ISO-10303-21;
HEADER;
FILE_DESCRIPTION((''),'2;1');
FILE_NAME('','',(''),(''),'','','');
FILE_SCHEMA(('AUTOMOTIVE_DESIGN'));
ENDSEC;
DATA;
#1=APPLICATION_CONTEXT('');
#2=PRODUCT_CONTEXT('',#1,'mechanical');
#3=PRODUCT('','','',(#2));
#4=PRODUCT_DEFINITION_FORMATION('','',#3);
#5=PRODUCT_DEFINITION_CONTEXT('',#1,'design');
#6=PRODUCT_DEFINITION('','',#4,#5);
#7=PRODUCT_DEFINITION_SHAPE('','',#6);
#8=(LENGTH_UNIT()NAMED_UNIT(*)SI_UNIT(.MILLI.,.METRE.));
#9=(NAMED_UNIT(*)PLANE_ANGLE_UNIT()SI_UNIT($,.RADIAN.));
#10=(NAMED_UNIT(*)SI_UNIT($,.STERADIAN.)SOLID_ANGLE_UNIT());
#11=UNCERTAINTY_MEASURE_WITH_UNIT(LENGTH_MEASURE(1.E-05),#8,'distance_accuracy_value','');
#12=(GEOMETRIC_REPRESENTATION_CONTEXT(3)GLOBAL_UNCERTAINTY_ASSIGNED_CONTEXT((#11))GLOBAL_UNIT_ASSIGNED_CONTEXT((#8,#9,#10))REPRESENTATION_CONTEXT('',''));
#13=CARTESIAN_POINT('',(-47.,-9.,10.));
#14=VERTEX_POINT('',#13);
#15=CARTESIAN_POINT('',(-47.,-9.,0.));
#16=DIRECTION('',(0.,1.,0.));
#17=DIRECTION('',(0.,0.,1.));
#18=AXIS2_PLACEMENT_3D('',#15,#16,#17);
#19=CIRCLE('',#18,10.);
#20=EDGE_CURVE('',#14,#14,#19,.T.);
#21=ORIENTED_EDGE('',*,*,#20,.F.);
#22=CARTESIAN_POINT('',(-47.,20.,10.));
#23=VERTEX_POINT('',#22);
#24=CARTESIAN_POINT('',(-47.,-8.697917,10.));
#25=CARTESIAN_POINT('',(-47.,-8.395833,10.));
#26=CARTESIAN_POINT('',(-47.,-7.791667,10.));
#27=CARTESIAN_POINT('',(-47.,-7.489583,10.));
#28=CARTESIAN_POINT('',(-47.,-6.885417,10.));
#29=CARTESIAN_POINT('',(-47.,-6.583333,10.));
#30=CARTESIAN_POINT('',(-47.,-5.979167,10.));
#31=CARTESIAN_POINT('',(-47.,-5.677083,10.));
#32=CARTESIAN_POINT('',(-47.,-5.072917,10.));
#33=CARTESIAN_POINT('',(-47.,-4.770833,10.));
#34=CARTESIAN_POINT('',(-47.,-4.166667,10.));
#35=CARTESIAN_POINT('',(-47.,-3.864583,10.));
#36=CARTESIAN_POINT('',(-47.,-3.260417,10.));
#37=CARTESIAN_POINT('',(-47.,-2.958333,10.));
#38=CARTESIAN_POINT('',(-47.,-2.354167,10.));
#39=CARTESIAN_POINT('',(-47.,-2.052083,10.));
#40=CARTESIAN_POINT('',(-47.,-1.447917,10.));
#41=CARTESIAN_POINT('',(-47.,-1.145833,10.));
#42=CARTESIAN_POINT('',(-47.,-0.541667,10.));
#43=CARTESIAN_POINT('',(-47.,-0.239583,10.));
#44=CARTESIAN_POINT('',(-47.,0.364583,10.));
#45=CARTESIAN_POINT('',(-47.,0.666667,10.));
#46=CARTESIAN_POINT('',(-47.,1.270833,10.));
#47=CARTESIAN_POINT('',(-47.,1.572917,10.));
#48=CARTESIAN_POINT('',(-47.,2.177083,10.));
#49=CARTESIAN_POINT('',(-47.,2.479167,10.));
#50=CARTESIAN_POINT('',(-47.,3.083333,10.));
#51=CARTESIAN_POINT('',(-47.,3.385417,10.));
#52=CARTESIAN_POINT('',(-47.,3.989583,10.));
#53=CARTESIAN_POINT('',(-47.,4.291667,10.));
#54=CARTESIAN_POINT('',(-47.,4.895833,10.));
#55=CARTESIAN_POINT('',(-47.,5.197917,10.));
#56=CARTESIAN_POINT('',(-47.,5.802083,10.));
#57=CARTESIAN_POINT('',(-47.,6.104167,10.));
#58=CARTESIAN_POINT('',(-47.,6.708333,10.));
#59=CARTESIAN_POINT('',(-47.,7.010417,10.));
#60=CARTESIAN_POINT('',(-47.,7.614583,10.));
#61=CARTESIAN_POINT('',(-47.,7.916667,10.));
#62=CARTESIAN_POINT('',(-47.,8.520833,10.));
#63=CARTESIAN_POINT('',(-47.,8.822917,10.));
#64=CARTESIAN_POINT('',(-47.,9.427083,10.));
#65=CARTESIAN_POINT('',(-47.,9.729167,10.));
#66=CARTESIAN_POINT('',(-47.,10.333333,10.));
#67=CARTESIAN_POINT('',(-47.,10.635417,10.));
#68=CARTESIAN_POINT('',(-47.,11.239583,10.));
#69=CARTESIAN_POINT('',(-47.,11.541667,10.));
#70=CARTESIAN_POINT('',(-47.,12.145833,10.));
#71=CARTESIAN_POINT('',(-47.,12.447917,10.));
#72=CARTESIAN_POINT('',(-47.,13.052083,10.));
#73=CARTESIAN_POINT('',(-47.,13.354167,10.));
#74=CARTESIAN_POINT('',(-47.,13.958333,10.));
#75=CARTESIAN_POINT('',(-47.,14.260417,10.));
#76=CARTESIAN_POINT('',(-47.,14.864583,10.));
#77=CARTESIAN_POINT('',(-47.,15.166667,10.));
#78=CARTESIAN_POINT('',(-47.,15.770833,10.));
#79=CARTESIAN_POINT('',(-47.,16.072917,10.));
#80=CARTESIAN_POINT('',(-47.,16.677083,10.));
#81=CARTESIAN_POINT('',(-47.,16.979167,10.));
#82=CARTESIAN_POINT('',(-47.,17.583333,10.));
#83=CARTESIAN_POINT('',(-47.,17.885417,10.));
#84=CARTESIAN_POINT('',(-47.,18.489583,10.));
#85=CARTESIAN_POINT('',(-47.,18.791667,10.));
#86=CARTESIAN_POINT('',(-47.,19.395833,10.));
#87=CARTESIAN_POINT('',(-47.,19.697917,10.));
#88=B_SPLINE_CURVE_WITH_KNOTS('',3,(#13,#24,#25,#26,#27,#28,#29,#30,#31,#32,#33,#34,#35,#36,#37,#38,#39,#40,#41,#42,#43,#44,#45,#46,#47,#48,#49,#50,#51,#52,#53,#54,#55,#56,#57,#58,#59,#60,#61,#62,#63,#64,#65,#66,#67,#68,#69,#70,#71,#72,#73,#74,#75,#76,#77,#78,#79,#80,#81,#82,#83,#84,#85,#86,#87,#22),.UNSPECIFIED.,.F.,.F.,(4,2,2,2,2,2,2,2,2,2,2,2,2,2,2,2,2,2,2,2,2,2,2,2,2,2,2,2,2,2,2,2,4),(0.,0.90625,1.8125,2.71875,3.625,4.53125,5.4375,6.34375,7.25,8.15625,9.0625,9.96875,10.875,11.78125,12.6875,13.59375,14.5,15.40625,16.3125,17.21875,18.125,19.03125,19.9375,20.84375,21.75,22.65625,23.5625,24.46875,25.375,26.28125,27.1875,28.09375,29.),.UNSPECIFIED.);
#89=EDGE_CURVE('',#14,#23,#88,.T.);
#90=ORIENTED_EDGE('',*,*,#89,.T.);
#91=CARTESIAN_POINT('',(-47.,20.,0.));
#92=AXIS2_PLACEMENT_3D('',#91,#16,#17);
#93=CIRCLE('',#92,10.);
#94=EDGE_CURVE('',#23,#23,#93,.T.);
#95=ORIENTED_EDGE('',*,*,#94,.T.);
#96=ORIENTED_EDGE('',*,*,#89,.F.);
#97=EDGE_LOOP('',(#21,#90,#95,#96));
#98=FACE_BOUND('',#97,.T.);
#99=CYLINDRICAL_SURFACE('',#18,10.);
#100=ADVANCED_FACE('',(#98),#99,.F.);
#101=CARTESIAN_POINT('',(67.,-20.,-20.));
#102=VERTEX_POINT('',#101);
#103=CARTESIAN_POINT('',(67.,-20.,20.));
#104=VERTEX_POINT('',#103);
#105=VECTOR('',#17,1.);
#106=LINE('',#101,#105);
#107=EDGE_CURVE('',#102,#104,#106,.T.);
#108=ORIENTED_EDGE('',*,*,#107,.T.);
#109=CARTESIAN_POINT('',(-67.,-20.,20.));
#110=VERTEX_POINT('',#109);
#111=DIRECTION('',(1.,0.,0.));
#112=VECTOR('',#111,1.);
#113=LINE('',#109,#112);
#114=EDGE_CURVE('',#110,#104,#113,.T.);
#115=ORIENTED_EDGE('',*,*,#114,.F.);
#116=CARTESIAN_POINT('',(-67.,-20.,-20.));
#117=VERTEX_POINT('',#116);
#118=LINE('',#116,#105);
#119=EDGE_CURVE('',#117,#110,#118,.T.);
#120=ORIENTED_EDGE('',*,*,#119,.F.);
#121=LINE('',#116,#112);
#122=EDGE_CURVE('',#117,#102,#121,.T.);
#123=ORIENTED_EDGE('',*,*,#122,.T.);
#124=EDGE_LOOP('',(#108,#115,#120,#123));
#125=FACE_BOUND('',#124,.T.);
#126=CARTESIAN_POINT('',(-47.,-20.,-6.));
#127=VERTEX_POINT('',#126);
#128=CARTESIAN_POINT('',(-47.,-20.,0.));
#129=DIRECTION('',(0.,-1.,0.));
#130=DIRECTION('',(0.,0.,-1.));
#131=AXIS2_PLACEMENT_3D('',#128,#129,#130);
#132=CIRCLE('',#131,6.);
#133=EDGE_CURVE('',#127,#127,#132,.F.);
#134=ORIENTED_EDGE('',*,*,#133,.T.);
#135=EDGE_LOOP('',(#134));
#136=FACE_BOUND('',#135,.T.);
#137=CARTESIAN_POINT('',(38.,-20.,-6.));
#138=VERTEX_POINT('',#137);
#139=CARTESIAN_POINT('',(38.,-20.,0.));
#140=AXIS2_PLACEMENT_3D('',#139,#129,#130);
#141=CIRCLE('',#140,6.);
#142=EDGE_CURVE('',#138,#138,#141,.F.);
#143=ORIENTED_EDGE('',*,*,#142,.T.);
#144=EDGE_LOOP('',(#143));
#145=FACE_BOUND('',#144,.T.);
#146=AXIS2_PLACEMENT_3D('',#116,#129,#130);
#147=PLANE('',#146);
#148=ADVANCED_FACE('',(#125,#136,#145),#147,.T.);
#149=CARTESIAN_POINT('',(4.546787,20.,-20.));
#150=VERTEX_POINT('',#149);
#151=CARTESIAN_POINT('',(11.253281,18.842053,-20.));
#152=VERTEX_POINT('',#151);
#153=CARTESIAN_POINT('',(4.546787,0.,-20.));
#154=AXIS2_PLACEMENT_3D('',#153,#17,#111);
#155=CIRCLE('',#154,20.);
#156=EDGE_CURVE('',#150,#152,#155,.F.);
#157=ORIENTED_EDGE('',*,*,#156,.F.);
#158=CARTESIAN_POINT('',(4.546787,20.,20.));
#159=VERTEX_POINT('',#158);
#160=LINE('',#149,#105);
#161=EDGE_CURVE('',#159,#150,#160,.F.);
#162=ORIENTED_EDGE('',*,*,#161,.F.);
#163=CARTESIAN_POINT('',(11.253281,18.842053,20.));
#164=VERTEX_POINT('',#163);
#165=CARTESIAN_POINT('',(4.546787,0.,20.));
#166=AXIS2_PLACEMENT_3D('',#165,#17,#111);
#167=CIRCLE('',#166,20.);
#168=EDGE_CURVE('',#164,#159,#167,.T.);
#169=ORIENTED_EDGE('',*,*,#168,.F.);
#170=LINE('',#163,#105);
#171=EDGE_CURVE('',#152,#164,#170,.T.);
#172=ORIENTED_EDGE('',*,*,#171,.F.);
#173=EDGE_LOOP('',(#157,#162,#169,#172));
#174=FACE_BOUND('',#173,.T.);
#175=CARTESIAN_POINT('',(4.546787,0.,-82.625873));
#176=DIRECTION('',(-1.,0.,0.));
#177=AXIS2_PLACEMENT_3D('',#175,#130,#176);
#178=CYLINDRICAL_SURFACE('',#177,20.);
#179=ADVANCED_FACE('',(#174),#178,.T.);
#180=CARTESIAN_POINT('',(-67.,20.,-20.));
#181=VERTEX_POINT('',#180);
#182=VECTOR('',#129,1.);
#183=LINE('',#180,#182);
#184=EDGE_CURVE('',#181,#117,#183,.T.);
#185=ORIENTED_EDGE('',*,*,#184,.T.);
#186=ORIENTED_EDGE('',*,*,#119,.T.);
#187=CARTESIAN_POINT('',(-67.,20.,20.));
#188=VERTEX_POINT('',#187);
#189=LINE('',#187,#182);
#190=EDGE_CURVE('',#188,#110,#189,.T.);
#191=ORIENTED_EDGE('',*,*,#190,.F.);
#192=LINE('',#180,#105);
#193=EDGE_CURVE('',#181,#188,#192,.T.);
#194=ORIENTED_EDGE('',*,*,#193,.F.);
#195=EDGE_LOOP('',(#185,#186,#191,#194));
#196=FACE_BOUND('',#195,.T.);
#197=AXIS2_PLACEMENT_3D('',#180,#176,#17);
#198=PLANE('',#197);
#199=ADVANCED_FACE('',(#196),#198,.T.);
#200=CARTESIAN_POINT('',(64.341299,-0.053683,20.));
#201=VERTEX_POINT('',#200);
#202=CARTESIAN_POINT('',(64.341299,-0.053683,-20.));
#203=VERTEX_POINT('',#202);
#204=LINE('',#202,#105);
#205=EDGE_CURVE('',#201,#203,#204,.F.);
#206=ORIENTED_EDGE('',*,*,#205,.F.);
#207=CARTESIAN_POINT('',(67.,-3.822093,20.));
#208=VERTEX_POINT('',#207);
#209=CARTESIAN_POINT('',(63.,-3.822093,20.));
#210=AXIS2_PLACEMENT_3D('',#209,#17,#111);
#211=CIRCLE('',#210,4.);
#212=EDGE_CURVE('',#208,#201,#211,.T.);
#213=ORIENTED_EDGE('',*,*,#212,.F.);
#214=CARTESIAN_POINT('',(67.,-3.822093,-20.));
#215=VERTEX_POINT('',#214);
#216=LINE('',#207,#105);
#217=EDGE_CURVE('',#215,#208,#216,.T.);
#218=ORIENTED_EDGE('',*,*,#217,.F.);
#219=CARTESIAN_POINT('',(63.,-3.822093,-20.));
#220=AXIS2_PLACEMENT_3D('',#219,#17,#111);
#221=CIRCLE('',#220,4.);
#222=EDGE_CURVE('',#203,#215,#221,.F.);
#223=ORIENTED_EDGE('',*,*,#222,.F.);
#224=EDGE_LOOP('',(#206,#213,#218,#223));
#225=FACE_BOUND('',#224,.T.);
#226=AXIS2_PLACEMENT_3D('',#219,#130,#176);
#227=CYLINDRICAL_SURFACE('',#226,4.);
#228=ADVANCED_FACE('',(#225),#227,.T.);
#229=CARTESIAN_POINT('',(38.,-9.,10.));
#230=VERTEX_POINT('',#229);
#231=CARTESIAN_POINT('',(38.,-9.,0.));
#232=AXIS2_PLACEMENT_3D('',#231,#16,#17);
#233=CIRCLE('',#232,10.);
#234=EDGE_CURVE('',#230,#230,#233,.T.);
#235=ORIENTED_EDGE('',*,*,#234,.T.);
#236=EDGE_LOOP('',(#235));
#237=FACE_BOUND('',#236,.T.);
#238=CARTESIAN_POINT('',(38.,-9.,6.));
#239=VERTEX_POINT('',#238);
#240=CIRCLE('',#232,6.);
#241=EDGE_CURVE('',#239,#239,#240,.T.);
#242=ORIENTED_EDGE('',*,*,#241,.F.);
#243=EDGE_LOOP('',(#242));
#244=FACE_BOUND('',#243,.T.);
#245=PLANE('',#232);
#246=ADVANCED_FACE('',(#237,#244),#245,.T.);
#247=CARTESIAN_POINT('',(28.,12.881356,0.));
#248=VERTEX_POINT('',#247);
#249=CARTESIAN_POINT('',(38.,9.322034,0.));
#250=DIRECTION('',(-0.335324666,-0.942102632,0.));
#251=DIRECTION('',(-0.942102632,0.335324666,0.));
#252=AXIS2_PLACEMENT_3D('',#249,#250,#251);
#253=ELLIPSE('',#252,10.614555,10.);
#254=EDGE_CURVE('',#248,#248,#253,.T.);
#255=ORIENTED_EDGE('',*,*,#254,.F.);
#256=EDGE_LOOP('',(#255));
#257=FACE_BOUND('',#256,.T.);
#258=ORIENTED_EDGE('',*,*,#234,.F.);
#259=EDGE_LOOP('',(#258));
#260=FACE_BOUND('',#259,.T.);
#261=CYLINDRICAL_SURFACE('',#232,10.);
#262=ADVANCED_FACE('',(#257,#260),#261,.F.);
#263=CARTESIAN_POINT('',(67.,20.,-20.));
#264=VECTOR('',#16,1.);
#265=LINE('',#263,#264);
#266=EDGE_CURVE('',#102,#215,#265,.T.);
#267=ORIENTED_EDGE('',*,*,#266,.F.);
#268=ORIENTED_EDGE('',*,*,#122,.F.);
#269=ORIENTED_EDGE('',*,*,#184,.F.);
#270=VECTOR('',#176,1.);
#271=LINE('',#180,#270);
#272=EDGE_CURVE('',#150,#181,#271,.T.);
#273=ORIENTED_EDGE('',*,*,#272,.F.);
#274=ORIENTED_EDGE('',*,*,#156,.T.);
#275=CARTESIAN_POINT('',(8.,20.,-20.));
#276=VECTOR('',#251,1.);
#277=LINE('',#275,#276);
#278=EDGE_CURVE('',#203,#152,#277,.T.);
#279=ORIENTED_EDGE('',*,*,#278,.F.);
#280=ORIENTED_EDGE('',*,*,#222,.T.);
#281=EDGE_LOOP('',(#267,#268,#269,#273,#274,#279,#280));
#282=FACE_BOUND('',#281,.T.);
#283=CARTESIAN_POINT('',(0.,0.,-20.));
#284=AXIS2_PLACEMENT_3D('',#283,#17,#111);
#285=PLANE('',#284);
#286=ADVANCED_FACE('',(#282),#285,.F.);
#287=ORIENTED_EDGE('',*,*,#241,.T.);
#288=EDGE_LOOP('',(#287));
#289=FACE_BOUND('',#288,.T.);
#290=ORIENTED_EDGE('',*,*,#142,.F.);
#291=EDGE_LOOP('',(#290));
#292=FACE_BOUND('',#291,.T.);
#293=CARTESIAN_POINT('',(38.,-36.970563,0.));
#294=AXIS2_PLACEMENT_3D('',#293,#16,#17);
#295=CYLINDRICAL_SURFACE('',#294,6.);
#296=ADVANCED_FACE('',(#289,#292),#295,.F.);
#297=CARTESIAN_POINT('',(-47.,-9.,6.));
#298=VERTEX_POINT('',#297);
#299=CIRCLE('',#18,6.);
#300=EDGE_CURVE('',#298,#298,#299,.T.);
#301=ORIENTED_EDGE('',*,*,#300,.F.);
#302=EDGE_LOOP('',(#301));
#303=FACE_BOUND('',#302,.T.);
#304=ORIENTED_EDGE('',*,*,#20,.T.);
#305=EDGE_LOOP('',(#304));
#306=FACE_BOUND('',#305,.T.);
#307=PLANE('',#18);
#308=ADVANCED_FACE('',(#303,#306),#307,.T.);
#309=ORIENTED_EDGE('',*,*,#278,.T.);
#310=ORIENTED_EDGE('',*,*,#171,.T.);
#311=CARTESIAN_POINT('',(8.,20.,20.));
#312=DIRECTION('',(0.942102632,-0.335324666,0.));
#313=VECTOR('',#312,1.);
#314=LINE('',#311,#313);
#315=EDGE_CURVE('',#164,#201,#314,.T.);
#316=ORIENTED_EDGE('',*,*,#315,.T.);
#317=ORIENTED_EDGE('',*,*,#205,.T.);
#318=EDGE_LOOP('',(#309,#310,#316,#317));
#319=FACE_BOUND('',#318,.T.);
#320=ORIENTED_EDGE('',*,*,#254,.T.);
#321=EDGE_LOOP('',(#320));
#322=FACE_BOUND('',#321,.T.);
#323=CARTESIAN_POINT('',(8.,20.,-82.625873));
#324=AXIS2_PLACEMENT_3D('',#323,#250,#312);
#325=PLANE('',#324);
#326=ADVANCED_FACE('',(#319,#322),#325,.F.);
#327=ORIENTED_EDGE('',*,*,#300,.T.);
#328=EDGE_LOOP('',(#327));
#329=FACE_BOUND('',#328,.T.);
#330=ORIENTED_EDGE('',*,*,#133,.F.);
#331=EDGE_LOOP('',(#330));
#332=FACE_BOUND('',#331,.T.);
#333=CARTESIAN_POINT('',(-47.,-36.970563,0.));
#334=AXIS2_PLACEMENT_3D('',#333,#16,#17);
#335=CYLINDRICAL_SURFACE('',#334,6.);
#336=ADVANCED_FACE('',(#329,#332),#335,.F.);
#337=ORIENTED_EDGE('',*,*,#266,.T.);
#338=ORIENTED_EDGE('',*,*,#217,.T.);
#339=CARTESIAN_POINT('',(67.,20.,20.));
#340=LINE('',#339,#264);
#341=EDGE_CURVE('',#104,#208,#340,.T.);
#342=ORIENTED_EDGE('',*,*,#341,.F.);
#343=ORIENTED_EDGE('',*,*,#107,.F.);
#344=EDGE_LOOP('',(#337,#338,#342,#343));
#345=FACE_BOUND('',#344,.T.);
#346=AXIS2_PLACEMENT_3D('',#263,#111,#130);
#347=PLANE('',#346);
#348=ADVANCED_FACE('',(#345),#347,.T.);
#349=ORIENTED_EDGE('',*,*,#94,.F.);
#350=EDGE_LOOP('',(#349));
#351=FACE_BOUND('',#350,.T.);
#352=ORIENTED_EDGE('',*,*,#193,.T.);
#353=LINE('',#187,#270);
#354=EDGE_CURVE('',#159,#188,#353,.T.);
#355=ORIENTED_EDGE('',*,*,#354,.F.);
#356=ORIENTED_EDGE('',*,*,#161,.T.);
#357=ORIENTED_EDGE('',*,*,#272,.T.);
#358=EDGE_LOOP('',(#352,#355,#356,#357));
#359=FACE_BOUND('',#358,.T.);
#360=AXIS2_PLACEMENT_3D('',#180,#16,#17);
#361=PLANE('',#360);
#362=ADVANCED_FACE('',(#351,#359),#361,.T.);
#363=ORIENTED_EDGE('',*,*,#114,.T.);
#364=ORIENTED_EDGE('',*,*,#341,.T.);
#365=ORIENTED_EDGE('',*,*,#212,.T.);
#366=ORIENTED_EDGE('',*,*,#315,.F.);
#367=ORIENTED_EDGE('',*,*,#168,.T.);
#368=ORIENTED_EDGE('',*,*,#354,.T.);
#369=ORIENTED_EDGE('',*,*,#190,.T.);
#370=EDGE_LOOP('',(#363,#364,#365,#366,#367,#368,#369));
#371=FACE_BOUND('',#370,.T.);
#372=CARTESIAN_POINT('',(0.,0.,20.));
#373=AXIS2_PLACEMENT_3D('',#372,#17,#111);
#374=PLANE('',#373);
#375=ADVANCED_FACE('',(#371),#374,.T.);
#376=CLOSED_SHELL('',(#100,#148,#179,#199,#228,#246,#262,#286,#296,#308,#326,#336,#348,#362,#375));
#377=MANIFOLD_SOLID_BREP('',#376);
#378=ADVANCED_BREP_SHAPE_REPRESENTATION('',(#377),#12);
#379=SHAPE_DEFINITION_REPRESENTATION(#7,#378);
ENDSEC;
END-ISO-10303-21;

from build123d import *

# Parameters (mm, degrees)
BOSS_EXTRUDE1_DEPTH      = 20
BOSS_EXTRUDE1_DEPTH_BACK = 20
SKETCH1_W                = 134
SKETCH1_H                = 40
CUT_EXTRUDE1_DEPTH       = 40
FILLET1_R                = 20
FILLET2_R                = 4
SKETCH3_R                = 10
CUT_EXTRUDE2_DEPTH       = 29
SKETCH4_R                = 6
CUT_EXTRUDE3_DEPTH       = 11


with BuildPart() as part:
    # Sketch1 → Boss-Extrude1 (new, two sides: drawn at the far end of the back side and taken through both)
    with BuildSketch(Plane.XY.offset(-BOSS_EXTRUDE1_DEPTH_BACK)):
        Rectangle(SKETCH1_W, SKETCH1_H)
    extrude(amount=BOSS_EXTRUDE1_DEPTH + BOSS_EXTRUDE1_DEPTH_BACK)

    # Sketch2 → Cut-Extrude1 (cut)
    with BuildSketch(Plane.XY.offset(20)):
        Polygon((8, 20), (67, -1), (67, 20), align=None)
    extrude(amount=-CUT_EXTRUDE1_DEPTH, mode=Mode.SUBTRACT)

    # Fillet1
    fillet1_edges = [part.edges().sort_by_distance(p)[0] for p in [
        (8, 20, 0),
    ]]
    fillet(fillet1_edges, radius=FILLET1_R)

    # Fillet2
    fillet2_edges = [part.edges().sort_by_distance(p)[0] for p in [
        (67, -1, 0),
    ]]
    fillet(fillet2_edges, radius=FILLET2_R)

    # Sketch3 → Cut-Extrude2 (cut)
    with BuildSketch(Plane(origin=(0, 20, 0), x_dir=(1, 0, 0), z_dir=(0, 1, 0))):
        with Locations(Location((-47, 0, 0), (0, 0, 270))):
            Circle(SKETCH3_R)
        with Locations(Location((38, 0, 0), (0, 0, 270))):
            Circle(SKETCH3_R)
    extrude(amount=-CUT_EXTRUDE2_DEPTH, mode=Mode.SUBTRACT)

    # Sketch4 → Cut-Extrude3 (cut)
    with BuildSketch(Plane(origin=(0, -9, 0), x_dir=(1, 0, 0), z_dir=(0, 1, 0))):
        with Locations(Location((-47, 0, 0), (0, 0, 270))):
            Circle(SKETCH4_R)
        with Locations(Location((38, 0, 0), (0, 0, 270))):
            Circle(SKETCH4_R)
    extrude(amount=-CUT_EXTRUDE3_DEPTH, mode=Mode.SUBTRACT)


solid = part.part
